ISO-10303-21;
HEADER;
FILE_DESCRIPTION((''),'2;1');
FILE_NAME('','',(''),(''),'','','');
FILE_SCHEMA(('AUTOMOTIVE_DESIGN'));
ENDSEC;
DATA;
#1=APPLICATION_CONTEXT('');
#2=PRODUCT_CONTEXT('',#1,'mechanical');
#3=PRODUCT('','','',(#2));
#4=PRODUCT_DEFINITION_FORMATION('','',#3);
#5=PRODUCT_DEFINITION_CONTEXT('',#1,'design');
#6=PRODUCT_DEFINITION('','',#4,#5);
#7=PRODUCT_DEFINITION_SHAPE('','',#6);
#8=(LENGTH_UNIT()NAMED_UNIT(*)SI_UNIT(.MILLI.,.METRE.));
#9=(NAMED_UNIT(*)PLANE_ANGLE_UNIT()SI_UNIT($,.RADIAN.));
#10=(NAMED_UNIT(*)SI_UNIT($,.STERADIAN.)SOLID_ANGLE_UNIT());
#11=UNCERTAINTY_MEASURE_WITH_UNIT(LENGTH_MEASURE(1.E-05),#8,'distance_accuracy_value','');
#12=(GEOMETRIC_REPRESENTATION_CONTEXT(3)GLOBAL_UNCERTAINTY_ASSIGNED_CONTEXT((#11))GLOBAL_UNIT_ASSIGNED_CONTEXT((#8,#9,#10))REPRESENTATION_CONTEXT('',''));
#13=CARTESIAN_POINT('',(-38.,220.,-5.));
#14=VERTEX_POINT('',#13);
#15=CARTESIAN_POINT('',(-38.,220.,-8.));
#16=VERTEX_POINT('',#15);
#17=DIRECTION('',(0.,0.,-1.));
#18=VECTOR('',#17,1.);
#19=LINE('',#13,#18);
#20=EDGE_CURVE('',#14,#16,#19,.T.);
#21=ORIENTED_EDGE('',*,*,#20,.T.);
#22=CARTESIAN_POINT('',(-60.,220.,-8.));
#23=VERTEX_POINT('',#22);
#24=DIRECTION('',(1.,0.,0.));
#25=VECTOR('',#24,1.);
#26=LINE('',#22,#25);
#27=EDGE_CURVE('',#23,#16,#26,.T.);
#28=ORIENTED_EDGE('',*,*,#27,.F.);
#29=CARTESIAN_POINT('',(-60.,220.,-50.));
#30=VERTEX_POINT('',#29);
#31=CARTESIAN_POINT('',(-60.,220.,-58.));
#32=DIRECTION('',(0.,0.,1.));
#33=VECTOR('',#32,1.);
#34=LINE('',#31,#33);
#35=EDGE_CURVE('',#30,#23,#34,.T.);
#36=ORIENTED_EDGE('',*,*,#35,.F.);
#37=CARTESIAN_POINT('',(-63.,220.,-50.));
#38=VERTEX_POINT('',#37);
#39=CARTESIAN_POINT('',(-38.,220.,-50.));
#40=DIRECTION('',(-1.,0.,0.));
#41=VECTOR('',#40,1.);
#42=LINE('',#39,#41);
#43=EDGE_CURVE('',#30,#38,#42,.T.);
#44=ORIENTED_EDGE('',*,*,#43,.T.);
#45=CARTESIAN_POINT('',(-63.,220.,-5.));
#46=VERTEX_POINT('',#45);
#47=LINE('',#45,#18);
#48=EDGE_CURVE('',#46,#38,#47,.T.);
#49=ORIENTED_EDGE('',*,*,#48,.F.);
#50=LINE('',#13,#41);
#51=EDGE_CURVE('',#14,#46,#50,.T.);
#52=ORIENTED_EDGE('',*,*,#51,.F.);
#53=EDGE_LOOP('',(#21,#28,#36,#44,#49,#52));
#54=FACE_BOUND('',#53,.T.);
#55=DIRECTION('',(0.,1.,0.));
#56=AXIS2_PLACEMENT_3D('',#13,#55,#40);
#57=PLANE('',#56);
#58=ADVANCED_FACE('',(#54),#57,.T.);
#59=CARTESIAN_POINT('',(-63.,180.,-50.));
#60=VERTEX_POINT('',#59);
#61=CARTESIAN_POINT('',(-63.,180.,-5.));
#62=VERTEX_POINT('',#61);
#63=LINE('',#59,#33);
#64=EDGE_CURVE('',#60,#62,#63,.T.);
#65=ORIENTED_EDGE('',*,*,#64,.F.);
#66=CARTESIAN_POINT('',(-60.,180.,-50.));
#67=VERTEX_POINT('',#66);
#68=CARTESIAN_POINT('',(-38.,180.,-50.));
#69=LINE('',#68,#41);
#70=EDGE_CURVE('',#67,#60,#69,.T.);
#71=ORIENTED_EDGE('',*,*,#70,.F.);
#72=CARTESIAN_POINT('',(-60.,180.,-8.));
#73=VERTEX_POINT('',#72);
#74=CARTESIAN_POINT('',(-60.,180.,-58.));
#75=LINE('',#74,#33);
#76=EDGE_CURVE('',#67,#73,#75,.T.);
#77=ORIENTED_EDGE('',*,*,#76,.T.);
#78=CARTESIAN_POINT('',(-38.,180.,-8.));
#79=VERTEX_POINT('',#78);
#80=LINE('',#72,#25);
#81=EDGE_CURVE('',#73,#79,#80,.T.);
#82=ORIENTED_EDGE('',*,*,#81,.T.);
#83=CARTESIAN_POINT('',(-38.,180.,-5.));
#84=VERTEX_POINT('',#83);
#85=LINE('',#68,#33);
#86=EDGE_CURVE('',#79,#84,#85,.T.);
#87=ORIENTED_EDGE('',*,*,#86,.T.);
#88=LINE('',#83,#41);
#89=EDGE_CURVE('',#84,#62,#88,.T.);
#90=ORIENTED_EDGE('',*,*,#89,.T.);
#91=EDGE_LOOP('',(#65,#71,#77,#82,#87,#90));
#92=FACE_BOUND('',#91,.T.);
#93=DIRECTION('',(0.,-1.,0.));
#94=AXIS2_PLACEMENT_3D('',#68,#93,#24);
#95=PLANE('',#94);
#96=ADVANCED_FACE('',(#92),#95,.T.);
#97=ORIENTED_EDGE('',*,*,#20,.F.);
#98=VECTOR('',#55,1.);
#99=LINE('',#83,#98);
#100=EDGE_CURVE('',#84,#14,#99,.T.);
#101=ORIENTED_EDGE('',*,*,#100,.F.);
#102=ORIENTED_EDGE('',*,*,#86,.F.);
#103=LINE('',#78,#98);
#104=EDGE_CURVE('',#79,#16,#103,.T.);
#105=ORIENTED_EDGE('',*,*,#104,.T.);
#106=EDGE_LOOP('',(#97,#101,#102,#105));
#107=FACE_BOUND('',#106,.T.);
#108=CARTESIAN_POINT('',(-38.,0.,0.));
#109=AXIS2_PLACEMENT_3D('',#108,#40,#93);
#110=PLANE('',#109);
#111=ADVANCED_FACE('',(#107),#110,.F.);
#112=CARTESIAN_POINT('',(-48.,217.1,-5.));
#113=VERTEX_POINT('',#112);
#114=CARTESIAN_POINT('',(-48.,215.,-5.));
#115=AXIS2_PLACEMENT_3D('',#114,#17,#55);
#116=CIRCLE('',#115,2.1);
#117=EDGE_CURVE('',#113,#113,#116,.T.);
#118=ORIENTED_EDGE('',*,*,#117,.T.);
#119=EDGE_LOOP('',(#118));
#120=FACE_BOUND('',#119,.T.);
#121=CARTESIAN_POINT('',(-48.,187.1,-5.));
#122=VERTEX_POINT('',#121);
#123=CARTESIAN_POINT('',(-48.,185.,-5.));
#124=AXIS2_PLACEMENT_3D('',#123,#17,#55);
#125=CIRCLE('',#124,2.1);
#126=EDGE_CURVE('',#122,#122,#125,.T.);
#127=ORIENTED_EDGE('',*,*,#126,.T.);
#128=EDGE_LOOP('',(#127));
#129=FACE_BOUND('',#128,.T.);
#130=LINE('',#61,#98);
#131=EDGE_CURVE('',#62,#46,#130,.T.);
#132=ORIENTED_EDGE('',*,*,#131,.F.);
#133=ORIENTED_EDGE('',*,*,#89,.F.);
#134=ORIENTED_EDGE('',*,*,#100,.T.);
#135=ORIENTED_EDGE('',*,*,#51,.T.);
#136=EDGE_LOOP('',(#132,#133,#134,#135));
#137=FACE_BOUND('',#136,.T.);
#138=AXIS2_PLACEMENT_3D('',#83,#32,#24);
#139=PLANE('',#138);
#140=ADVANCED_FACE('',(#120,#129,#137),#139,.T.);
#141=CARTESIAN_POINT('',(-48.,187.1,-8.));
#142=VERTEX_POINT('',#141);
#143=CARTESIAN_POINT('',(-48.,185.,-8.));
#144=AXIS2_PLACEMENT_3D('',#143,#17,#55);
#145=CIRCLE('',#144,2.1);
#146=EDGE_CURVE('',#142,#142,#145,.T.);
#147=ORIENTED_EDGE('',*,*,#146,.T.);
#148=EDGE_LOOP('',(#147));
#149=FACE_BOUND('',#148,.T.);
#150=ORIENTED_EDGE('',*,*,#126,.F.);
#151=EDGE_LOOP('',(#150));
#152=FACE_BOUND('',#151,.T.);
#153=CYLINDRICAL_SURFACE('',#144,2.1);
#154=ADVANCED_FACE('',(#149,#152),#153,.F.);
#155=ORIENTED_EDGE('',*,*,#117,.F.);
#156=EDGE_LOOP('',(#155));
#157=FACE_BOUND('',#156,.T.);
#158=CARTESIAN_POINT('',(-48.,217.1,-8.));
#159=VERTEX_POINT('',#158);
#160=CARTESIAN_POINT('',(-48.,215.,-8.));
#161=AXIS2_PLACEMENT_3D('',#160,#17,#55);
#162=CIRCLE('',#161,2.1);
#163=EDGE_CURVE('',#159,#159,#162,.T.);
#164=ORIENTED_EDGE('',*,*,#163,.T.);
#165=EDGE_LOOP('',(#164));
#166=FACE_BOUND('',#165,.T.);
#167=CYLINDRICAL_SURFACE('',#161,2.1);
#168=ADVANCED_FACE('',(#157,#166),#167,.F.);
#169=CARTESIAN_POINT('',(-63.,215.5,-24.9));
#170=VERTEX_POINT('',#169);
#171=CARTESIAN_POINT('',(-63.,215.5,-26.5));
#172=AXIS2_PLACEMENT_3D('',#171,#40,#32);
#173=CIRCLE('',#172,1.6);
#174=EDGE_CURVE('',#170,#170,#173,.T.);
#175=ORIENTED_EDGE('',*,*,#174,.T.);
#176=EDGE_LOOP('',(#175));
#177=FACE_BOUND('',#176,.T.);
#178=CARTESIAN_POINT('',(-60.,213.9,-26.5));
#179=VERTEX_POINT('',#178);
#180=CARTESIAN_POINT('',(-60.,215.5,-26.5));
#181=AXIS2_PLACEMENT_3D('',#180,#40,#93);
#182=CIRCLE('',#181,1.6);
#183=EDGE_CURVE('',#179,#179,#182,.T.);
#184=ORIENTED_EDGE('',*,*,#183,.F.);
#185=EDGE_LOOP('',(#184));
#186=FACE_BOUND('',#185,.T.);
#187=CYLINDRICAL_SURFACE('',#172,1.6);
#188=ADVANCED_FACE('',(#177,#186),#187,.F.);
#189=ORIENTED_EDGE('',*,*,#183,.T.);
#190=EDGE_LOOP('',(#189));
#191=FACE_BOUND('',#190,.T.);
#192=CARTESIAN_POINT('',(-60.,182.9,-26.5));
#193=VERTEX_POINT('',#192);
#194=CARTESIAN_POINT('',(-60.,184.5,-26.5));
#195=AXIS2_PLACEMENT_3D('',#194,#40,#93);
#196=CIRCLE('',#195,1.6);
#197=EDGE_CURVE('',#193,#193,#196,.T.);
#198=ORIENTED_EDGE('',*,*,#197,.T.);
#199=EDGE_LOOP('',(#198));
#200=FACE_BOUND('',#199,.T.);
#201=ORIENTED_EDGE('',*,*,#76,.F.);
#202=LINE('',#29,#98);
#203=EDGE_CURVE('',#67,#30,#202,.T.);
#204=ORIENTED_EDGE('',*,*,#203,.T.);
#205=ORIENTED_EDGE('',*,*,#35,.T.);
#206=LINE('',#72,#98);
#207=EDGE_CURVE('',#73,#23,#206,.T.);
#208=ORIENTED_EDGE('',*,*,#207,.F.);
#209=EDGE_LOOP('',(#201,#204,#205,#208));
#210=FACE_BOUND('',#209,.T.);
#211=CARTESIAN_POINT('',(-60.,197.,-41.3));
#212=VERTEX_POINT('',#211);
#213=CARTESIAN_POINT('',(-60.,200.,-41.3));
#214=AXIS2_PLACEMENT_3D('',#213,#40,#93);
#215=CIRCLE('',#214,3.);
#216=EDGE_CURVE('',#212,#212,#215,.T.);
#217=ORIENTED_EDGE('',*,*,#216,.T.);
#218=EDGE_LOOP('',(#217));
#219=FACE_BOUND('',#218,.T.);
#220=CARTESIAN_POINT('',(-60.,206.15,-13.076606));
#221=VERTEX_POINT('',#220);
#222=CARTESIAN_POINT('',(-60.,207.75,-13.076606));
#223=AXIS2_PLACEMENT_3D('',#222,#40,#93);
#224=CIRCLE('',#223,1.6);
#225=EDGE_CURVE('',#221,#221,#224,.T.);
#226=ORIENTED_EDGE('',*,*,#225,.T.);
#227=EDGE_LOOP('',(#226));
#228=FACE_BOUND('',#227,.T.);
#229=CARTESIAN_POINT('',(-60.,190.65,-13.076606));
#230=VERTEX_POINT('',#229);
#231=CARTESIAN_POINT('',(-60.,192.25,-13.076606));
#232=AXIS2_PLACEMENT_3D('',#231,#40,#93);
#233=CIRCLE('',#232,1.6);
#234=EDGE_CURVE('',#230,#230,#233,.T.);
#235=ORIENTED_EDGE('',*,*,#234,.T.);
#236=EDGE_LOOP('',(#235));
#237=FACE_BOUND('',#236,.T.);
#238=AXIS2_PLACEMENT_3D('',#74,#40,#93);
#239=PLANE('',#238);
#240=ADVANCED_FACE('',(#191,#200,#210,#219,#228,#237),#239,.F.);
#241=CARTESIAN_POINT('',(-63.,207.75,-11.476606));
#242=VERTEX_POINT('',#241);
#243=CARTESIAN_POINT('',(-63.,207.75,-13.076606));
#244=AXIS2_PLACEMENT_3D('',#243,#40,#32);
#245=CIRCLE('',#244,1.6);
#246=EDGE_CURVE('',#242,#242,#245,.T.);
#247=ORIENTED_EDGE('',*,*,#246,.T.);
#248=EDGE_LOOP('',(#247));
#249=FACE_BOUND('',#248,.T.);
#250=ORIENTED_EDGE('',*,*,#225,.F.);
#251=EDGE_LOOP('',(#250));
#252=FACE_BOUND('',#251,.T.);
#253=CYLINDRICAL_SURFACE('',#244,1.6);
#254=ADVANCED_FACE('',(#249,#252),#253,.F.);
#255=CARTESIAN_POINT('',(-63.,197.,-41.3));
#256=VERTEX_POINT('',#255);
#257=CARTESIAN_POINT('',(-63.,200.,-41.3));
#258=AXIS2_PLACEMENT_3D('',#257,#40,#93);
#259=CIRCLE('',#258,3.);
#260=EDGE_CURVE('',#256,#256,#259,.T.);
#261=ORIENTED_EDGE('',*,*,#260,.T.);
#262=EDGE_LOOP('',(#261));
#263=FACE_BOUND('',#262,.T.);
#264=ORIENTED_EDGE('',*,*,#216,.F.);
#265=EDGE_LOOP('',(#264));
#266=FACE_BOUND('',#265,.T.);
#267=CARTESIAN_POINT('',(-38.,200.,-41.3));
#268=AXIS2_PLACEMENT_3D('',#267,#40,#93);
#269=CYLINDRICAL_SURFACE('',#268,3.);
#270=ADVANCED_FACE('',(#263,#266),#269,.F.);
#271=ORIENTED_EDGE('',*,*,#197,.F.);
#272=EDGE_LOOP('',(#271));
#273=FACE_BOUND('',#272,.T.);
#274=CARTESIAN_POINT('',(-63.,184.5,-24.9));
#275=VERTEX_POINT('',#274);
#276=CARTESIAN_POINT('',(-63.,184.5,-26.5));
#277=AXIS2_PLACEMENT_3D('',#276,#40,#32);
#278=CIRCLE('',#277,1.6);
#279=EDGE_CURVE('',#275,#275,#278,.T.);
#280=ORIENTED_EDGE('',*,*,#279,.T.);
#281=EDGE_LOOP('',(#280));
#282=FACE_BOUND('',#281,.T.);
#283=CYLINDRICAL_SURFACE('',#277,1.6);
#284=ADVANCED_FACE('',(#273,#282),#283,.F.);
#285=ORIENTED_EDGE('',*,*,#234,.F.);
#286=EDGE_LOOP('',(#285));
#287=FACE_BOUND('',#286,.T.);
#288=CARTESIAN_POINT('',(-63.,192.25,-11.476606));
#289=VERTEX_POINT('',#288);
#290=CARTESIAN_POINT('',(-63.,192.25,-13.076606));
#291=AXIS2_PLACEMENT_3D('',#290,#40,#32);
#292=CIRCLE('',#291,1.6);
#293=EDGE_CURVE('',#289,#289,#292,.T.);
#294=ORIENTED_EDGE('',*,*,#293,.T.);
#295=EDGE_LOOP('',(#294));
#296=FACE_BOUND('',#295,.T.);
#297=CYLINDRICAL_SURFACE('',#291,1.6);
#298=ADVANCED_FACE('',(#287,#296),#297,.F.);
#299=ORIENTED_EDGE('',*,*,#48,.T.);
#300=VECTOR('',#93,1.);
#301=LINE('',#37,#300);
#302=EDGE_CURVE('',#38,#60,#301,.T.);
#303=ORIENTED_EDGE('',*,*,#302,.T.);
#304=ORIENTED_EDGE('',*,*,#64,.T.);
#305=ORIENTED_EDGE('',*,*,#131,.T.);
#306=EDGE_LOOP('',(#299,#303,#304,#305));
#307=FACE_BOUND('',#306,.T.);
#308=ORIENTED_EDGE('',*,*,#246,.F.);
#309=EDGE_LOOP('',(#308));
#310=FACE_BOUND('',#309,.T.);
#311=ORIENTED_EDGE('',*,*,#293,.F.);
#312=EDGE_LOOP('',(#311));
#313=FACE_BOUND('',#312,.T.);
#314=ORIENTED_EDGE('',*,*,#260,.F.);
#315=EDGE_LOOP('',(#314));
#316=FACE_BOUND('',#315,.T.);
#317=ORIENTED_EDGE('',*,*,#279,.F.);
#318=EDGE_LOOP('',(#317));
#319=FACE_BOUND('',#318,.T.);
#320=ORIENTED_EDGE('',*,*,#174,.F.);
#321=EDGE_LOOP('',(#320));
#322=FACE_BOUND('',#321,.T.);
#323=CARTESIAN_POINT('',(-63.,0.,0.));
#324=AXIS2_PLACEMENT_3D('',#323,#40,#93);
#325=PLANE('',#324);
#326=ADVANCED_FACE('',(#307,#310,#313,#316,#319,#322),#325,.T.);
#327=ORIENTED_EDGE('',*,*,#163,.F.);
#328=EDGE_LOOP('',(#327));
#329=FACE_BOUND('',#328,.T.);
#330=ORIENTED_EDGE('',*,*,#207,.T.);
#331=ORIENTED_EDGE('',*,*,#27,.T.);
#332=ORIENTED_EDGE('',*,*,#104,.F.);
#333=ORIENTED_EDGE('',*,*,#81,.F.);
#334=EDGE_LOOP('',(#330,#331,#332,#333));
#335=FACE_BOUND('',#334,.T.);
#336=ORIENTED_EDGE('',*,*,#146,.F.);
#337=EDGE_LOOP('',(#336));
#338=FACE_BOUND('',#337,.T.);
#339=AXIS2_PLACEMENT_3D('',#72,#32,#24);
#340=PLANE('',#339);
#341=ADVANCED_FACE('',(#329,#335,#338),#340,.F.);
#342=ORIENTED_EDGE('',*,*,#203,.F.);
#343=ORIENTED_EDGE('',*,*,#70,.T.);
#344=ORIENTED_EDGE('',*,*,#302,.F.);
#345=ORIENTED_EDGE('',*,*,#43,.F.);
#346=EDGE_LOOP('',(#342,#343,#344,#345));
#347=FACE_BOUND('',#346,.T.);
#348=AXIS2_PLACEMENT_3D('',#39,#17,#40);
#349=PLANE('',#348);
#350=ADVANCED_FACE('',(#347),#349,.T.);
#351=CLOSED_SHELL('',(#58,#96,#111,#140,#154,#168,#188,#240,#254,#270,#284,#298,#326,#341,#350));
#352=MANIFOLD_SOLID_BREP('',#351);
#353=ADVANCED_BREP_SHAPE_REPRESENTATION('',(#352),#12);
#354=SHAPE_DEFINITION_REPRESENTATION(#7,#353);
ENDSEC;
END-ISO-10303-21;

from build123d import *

# Parameters (mm, degrees)
SKETCH_1_W                  = 40
SKETCH_1_H                  = 45
EXTRUDE_1_DEPTH             = 25
SKETCH_2_W                  = 22
SKETCH_2_H                  = 50
CUT_EXTRUDE_1_DEPTH         = 90.827612681
SKETCH_3_R                  = 3
CUT_EXTRUDE_2_DEPTH         = 227.991189256
HOLE_WIZARD_4_2_4_2_1_D     = 4.2
HOLE_WIZARD_3_2_3_2_1_D     = 3.2
HOLE_WIZARD_3_2_3_2_1_DEPTH = 25


with BuildPart() as part:
    # 草图1 → 凸台-拉伸1 (new body)
    with BuildSketch(Plane(origin=(-63, 0, 0), x_dir=(0, -1, 0), z_dir=(-1, 0, 0))):
        with Locations((-200, -27.5)):
            Rectangle(SKETCH_1_W, SKETCH_1_H)
    extrude(amount=-EXTRUDE_1_DEPTH)

    # 草图2 → 切除-拉伸1 (cut, through all)
    with BuildSketch(Plane(origin=(0, 220, 0), x_dir=(-1, 0, 0), z_dir=(0, 1, 0))):
        with Locations((49, -33)):
            Rectangle(SKETCH_2_W, SKETCH_2_H)
    extrude(amount=-CUT_EXTRUDE_1_DEPTH, mode=Mode.SUBTRACT)

    # 草图3 → 切除-拉伸2 (cut, through all)
    with BuildSketch(Plane.ZY.offset(63)):
        with Locations(Location((-41.3, 200, 0), (0, 0, 270))):
            Circle(SKETCH_3_R)
    extrude(amount=-CUT_EXTRUDE_2_DEPTH, mode=Mode.SUBTRACT)

    # Ø4.2 (4.2) 直径孔1 (through all)
    with Locations(Plane(origin=(0, 0, -8), x_dir=(-1, 0, 0), z_dir=(0, 0, -1))):
        with Locations((48, 215), (48, 185)):
            Hole(HOLE_WIZARD_4_2_4_2_1_D / 2)

    # Ø3.2 (3.2) 直径孔1
    with Locations(Plane.ZY.offset(63)):
        with Locations((-26.5, 215.5), (-26.5, 184.5), (-13.076606241, 207.75), (-13.076606241, 192.25)):
            Hole(HOLE_WIZARD_3_2_3_2_1_D / 2, depth=HOLE_WIZARD_3_2_3_2_1_DEPTH)


solid = part.part
